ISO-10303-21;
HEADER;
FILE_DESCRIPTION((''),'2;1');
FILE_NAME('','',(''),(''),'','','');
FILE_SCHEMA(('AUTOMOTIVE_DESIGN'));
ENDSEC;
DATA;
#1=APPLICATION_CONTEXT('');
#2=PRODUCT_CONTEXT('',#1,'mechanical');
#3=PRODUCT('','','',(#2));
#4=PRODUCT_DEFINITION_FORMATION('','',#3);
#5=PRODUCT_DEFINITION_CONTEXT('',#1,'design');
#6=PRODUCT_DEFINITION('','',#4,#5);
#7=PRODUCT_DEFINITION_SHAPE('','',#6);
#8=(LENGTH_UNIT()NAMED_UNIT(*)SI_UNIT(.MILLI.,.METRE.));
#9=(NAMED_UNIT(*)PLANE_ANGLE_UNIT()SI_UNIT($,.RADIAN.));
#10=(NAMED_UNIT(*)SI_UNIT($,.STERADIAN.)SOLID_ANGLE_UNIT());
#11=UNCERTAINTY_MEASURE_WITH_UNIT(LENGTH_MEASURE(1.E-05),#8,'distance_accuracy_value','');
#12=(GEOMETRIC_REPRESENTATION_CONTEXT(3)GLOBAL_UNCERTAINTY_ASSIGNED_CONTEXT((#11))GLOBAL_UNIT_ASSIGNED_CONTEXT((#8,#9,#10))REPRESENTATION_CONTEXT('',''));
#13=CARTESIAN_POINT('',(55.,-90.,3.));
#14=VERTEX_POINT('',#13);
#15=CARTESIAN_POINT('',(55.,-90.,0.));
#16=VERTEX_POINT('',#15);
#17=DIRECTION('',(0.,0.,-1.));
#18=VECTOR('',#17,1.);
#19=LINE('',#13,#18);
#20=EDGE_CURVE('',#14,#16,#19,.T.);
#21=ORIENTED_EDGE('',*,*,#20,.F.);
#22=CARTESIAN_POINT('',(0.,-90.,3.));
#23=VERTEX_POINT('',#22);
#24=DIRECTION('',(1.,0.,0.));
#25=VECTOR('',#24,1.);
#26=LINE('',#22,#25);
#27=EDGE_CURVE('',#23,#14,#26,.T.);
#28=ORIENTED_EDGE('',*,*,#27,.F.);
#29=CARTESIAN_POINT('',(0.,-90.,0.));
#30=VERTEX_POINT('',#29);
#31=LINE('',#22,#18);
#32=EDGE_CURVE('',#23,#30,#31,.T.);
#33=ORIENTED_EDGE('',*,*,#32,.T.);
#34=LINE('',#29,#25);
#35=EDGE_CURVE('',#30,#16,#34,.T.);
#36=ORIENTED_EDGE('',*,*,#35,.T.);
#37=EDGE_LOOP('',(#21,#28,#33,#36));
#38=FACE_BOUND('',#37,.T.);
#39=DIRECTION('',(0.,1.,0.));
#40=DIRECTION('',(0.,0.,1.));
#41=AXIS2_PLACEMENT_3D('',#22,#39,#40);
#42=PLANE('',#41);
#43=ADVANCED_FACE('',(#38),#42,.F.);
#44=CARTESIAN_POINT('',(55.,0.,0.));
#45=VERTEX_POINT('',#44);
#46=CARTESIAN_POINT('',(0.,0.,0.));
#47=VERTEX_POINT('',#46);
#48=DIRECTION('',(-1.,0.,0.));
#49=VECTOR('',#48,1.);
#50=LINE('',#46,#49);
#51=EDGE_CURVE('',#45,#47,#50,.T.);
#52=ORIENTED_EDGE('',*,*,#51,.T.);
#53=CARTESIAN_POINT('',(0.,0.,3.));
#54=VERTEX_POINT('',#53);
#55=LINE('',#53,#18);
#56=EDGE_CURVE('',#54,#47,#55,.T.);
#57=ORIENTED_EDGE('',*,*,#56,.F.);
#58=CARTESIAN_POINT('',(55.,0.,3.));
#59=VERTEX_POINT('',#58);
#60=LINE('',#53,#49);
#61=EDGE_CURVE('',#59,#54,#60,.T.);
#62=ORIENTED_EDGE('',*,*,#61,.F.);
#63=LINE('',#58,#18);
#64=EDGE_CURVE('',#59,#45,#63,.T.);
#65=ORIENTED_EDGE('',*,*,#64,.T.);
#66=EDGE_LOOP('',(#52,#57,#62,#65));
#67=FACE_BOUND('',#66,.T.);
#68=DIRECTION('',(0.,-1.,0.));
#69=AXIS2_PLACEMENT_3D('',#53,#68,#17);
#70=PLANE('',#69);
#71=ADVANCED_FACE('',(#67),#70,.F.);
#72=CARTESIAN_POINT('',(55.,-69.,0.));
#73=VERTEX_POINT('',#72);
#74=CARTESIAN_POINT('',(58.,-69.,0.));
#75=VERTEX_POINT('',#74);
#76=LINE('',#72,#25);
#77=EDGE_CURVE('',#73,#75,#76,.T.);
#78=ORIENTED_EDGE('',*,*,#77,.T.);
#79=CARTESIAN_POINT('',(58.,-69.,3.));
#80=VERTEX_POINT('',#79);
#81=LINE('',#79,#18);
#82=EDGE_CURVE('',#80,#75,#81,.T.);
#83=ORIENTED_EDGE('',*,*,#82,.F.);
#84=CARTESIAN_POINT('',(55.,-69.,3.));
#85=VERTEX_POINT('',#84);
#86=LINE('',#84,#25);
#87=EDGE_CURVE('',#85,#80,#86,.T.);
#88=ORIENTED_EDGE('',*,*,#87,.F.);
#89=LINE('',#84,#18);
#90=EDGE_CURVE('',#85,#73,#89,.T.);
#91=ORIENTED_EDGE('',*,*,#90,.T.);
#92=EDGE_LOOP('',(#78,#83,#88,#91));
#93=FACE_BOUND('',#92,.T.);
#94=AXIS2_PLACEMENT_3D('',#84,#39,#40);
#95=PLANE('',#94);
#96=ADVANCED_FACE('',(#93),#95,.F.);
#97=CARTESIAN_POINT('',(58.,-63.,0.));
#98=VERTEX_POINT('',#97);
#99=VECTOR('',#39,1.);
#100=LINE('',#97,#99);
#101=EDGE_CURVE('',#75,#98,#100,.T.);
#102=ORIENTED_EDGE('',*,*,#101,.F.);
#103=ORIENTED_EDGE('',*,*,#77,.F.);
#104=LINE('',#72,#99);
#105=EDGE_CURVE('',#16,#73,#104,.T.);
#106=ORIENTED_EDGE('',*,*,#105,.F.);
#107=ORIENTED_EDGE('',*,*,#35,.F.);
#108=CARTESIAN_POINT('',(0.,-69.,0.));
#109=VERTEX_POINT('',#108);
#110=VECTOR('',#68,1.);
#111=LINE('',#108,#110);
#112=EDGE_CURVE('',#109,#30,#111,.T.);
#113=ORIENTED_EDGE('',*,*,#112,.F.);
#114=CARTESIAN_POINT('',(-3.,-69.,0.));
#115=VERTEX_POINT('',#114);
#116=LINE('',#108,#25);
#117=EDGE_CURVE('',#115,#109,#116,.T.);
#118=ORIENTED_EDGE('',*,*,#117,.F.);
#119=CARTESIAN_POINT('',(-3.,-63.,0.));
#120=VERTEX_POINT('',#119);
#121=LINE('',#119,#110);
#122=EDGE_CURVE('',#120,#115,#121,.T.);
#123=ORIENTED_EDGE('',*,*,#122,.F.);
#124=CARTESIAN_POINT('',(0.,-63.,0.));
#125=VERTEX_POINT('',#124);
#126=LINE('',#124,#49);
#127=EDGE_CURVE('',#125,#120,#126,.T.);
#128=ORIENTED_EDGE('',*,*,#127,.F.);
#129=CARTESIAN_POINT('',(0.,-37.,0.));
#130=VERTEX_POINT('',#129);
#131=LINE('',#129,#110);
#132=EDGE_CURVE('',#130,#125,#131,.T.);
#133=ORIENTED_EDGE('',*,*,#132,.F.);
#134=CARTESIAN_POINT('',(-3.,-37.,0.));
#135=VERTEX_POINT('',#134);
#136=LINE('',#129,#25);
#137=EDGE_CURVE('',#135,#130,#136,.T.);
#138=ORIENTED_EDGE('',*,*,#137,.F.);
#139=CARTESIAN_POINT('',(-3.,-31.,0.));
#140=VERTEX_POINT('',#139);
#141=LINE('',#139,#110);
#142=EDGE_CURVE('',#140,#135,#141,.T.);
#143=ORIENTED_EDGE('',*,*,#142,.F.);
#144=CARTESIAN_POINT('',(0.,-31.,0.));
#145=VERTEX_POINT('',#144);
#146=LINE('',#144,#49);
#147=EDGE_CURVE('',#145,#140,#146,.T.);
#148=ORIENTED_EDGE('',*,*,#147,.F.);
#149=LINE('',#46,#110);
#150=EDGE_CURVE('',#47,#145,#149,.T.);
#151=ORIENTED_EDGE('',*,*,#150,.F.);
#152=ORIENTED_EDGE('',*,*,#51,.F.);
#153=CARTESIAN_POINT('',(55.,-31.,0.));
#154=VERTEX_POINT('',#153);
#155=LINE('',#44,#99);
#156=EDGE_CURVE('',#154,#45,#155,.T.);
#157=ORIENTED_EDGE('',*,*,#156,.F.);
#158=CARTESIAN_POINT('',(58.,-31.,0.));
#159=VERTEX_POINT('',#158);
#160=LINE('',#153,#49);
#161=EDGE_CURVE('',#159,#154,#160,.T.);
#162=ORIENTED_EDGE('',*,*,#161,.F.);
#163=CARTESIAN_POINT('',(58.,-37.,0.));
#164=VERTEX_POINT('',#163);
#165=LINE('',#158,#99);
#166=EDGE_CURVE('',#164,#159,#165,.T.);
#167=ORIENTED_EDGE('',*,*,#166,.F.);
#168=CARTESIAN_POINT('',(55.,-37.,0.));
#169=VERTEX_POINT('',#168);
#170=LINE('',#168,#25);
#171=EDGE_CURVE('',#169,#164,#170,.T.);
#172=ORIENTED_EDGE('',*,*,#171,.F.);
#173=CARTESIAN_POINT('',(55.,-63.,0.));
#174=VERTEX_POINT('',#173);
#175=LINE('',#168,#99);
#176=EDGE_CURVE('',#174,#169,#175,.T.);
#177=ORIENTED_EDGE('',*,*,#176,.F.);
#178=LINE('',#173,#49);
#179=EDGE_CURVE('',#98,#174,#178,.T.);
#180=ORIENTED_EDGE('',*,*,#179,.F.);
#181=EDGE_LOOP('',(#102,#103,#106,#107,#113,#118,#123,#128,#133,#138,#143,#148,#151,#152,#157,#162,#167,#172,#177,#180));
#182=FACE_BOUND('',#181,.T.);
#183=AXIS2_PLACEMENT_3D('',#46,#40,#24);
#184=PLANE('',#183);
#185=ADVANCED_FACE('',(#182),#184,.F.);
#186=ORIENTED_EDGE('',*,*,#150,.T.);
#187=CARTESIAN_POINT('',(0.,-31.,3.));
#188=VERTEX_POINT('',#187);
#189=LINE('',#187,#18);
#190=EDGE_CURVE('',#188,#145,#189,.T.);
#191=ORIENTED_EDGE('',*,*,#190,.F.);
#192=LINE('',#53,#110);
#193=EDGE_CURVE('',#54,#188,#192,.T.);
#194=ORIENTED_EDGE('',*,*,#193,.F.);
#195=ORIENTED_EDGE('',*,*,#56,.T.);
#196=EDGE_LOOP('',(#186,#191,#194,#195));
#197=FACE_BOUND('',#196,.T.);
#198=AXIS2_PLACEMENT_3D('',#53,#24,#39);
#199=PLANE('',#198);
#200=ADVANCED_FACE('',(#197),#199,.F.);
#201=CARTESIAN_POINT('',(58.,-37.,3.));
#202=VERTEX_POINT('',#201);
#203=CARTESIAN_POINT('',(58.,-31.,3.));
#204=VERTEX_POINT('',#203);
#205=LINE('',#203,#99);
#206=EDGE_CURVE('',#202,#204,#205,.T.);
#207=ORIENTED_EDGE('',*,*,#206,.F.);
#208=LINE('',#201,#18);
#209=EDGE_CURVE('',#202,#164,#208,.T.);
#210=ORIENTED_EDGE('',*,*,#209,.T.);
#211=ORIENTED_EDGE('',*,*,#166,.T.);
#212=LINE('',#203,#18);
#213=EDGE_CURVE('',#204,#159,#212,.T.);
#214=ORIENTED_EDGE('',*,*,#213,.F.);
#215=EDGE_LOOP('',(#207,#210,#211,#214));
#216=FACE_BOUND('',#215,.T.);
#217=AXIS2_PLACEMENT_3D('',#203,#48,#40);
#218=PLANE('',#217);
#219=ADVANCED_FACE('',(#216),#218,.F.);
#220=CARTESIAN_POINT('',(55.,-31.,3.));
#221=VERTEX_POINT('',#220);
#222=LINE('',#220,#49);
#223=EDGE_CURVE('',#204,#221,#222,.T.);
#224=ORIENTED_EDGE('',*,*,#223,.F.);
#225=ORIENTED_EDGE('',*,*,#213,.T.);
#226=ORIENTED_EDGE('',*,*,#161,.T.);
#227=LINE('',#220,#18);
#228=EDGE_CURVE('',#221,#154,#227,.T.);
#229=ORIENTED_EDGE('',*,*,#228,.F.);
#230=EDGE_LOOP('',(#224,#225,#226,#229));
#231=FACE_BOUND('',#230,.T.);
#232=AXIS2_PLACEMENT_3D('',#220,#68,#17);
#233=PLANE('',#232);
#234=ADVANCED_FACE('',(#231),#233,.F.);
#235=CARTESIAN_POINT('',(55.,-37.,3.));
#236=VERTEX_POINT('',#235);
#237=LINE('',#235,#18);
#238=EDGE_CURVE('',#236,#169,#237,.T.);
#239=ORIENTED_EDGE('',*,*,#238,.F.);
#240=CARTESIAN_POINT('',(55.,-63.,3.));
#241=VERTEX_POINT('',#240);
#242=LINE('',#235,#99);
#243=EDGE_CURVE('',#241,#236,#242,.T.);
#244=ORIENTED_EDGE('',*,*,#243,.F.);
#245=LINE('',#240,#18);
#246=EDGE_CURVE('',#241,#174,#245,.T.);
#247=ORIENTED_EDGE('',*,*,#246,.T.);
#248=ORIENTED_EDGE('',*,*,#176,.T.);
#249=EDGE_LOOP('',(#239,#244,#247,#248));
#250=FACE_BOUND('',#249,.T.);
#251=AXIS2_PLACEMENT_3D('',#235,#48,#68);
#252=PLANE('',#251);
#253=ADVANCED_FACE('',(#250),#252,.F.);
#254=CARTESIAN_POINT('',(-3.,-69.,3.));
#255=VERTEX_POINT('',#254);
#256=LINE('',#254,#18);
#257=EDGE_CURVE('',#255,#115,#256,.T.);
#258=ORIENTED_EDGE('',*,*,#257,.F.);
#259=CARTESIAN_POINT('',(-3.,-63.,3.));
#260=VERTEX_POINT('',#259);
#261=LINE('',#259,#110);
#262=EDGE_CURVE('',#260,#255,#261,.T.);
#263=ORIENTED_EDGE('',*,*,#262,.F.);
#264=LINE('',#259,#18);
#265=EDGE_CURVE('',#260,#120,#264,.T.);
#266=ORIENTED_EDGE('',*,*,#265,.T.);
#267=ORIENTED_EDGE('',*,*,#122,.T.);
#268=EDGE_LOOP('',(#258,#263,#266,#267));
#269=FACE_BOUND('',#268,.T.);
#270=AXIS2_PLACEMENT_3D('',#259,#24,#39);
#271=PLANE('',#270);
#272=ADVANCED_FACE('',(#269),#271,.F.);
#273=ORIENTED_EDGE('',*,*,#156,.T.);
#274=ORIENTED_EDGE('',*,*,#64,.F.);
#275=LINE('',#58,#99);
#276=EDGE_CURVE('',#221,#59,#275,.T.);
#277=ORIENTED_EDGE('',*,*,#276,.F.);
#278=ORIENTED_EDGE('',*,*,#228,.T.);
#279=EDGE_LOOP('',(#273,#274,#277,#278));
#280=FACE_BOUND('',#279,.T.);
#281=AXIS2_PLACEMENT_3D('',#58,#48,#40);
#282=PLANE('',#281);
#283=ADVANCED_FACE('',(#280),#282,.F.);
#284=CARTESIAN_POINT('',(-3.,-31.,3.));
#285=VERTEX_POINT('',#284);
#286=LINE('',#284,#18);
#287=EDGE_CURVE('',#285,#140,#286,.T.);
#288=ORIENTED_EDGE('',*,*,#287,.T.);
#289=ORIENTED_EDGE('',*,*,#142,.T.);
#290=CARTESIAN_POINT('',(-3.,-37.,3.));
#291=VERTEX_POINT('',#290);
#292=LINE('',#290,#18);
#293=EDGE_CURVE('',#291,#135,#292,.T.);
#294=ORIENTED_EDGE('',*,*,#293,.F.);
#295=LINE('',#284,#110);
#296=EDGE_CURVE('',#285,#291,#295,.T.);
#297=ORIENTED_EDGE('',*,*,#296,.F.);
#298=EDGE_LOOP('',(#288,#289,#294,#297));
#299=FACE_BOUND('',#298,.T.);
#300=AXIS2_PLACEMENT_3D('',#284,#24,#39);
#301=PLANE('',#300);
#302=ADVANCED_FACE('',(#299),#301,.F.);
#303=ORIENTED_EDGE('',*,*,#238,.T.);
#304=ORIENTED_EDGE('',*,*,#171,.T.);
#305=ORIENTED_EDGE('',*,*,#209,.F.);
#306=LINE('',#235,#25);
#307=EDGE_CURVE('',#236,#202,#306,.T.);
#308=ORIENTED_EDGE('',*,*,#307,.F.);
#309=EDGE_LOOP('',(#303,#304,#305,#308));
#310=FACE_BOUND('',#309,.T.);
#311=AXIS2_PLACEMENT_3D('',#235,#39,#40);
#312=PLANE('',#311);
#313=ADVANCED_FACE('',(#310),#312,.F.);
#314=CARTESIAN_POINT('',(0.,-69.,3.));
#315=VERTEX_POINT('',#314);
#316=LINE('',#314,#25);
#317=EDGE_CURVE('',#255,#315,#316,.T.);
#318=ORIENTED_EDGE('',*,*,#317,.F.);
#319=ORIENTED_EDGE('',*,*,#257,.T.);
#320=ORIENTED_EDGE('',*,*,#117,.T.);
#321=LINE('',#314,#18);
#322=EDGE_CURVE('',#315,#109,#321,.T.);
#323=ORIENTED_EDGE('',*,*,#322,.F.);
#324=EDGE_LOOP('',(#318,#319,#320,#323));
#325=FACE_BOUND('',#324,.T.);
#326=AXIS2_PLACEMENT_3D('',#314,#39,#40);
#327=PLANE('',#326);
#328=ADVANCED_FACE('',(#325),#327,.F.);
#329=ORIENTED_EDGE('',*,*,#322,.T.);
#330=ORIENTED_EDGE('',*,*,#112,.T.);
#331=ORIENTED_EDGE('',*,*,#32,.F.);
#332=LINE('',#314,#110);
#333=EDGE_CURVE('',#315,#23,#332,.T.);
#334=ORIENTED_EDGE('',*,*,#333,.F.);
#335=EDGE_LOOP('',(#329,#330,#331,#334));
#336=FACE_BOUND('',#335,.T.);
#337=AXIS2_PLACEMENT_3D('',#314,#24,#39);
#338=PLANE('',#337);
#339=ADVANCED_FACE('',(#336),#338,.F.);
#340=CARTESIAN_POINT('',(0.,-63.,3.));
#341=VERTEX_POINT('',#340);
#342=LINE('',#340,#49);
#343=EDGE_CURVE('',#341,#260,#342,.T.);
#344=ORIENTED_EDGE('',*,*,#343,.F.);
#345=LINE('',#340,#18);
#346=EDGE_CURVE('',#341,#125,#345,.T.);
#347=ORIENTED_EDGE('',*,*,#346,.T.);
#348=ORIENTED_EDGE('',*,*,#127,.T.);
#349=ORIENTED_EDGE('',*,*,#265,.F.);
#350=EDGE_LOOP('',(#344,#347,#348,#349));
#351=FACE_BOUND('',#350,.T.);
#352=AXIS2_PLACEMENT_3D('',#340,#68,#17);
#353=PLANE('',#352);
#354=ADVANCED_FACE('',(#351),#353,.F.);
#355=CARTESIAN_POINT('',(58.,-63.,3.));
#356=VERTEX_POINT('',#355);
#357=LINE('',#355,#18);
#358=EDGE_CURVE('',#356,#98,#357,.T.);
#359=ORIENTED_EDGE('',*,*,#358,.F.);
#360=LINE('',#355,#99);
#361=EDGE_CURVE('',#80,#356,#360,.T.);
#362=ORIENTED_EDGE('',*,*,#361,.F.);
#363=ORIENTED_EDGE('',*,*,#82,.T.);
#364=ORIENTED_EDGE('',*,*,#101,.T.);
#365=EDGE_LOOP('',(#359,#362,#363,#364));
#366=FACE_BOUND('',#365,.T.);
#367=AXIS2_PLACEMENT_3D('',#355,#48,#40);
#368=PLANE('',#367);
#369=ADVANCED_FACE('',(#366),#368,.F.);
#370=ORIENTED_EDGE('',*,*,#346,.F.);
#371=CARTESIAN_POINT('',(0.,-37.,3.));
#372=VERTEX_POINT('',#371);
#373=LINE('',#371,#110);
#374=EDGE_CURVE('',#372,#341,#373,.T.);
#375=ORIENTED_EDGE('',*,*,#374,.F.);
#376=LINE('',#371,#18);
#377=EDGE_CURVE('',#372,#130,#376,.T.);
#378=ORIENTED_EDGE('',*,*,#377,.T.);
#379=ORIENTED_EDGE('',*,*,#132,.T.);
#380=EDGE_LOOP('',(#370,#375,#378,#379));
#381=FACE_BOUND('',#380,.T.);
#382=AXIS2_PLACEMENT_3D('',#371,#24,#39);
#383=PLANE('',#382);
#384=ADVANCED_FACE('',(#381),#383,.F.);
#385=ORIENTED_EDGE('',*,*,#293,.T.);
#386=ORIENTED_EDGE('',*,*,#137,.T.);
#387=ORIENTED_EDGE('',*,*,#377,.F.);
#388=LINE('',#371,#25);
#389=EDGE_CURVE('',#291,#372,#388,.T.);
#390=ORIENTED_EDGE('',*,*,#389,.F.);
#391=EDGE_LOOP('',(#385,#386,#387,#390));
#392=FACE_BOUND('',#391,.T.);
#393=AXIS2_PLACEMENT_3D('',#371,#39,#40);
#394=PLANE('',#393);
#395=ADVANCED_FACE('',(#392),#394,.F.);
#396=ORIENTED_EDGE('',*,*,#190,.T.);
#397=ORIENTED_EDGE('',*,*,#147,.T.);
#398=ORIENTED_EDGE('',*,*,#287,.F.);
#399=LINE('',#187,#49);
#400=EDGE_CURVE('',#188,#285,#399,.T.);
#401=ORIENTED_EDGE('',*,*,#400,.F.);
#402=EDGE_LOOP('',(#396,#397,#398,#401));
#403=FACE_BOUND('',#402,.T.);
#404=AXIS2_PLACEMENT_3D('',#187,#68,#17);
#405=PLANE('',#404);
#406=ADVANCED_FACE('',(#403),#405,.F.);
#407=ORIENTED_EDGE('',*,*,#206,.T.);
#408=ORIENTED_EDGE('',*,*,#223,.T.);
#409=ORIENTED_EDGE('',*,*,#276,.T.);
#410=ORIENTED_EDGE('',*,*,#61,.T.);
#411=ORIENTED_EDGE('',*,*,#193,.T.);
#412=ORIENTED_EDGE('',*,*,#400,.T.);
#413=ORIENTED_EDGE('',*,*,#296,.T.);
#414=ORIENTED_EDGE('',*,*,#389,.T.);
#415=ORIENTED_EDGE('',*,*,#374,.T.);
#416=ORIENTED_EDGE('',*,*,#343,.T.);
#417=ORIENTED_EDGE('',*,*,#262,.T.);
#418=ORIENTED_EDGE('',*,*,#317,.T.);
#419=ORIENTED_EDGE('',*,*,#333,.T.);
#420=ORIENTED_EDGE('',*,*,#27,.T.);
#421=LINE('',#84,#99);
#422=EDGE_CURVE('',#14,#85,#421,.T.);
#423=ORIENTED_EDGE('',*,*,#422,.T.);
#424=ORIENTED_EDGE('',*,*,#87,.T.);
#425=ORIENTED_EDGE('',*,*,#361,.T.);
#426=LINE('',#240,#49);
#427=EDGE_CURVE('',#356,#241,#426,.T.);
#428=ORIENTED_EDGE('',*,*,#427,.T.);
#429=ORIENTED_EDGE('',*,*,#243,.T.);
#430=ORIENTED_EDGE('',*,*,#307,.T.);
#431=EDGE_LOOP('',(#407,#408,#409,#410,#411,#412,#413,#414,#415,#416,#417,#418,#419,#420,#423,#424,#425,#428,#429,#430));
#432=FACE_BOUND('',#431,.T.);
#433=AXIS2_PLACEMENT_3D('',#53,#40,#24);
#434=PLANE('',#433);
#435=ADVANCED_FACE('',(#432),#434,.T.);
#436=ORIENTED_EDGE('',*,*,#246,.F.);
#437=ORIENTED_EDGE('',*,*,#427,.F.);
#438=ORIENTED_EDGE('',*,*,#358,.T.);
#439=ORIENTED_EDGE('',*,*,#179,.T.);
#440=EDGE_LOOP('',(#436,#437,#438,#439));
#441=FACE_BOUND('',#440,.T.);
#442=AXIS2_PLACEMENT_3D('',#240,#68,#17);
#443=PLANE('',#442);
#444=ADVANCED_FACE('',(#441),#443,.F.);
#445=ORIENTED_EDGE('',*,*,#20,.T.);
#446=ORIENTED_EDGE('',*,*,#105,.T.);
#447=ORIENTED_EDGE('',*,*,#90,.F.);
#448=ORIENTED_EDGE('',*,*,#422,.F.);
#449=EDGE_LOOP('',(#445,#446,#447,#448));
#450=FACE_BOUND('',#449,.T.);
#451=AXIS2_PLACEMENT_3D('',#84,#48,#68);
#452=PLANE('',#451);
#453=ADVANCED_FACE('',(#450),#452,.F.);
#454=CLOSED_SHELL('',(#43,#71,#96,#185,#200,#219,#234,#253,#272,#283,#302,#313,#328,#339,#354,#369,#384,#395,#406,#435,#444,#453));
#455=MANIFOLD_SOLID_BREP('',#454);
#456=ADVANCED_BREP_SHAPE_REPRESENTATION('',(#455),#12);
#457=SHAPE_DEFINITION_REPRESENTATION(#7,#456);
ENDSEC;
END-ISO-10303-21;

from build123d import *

# Parameters (mm, degrees)
P_IDAT_VYSUNUT_M1_DEPTH = 3


with BuildPart() as part:
    # Skica1 → Přidat vysunutím1 (new body)
    with BuildSketch(Plane.XY):
        Polygon((0, 0), (55, 0), (55, -31), (58, -31), (58, -37), (55, -37), (55, -63), (58, -63), (58, -69), (55, -69), (55, -90), (0, -90), (0, -69), (-3, -69), (-3, -63), (0, -63), (0, -37), (-3, -37), (-3, -31), (0, -31), align=None)
    extrude(amount=P_IDAT_VYSUNUT_M1_DEPTH)


solid = part.part
